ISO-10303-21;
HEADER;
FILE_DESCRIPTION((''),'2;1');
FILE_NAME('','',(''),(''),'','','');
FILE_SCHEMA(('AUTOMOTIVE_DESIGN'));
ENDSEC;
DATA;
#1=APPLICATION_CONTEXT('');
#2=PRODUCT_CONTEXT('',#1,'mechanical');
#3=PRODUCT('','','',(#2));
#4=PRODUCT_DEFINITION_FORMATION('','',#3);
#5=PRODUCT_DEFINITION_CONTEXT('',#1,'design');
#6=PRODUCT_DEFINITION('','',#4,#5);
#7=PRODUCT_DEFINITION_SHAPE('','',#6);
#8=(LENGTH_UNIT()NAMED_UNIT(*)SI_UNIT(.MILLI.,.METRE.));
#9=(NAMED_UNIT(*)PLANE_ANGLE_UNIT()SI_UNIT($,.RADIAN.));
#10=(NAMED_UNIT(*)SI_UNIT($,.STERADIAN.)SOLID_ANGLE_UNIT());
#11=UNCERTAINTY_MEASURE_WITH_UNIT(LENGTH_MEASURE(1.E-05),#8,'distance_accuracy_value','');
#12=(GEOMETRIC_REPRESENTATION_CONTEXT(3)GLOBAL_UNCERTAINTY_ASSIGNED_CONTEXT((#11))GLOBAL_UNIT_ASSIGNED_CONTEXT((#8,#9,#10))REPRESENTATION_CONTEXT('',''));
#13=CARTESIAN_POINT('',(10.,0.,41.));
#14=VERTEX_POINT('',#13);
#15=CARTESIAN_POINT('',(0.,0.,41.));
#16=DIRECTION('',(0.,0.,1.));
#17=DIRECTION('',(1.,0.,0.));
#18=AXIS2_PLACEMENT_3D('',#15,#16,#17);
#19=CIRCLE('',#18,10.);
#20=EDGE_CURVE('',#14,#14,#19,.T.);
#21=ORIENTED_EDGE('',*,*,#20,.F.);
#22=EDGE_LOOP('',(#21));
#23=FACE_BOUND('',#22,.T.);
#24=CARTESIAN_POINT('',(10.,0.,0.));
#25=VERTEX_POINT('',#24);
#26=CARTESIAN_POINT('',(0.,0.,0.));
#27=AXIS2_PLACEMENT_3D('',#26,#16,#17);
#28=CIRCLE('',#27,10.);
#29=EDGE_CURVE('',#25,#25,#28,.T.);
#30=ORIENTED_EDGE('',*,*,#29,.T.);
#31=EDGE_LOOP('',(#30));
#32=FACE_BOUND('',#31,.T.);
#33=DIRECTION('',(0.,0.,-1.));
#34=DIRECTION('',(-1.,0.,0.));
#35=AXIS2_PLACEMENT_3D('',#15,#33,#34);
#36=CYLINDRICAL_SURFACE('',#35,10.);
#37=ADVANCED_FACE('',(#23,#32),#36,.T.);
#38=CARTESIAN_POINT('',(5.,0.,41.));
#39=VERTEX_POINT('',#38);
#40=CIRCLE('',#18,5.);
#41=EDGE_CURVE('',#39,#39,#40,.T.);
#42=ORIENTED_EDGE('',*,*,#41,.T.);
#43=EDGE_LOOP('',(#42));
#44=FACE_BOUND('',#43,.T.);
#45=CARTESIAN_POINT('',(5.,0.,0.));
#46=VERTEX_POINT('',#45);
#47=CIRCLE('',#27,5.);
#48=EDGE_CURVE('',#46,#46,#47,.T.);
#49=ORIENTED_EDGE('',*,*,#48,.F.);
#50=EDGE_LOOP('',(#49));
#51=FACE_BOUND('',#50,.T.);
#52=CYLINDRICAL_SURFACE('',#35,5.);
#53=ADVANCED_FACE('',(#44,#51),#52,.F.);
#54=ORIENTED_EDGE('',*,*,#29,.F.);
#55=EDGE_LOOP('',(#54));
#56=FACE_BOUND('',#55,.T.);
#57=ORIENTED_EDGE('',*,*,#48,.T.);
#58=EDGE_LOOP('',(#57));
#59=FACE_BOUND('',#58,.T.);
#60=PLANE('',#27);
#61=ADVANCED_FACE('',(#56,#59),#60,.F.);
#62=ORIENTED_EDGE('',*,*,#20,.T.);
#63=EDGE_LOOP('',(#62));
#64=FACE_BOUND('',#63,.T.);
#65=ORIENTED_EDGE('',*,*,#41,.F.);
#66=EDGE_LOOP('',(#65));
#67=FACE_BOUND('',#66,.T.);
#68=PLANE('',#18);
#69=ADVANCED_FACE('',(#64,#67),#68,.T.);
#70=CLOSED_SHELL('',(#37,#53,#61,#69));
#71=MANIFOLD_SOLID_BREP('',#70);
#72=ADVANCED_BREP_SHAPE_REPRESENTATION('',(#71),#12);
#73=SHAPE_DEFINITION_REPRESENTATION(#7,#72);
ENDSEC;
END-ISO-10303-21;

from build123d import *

# Parameters (mm, degrees)
SKETCH_1_R      = 10
SKETCH_1_R_2    = 5
EXTRUDE_1_DEPTH = 41


with BuildPart() as part:
    # 草图1 → 凸台-拉伸1 (new body)
    with BuildSketch(Plane.XY):
        Circle(SKETCH_1_R)
        Circle(SKETCH_1_R_2, mode=Mode.SUBTRACT)
    extrude(amount=EXTRUDE_1_DEPTH)


solid = part.part
